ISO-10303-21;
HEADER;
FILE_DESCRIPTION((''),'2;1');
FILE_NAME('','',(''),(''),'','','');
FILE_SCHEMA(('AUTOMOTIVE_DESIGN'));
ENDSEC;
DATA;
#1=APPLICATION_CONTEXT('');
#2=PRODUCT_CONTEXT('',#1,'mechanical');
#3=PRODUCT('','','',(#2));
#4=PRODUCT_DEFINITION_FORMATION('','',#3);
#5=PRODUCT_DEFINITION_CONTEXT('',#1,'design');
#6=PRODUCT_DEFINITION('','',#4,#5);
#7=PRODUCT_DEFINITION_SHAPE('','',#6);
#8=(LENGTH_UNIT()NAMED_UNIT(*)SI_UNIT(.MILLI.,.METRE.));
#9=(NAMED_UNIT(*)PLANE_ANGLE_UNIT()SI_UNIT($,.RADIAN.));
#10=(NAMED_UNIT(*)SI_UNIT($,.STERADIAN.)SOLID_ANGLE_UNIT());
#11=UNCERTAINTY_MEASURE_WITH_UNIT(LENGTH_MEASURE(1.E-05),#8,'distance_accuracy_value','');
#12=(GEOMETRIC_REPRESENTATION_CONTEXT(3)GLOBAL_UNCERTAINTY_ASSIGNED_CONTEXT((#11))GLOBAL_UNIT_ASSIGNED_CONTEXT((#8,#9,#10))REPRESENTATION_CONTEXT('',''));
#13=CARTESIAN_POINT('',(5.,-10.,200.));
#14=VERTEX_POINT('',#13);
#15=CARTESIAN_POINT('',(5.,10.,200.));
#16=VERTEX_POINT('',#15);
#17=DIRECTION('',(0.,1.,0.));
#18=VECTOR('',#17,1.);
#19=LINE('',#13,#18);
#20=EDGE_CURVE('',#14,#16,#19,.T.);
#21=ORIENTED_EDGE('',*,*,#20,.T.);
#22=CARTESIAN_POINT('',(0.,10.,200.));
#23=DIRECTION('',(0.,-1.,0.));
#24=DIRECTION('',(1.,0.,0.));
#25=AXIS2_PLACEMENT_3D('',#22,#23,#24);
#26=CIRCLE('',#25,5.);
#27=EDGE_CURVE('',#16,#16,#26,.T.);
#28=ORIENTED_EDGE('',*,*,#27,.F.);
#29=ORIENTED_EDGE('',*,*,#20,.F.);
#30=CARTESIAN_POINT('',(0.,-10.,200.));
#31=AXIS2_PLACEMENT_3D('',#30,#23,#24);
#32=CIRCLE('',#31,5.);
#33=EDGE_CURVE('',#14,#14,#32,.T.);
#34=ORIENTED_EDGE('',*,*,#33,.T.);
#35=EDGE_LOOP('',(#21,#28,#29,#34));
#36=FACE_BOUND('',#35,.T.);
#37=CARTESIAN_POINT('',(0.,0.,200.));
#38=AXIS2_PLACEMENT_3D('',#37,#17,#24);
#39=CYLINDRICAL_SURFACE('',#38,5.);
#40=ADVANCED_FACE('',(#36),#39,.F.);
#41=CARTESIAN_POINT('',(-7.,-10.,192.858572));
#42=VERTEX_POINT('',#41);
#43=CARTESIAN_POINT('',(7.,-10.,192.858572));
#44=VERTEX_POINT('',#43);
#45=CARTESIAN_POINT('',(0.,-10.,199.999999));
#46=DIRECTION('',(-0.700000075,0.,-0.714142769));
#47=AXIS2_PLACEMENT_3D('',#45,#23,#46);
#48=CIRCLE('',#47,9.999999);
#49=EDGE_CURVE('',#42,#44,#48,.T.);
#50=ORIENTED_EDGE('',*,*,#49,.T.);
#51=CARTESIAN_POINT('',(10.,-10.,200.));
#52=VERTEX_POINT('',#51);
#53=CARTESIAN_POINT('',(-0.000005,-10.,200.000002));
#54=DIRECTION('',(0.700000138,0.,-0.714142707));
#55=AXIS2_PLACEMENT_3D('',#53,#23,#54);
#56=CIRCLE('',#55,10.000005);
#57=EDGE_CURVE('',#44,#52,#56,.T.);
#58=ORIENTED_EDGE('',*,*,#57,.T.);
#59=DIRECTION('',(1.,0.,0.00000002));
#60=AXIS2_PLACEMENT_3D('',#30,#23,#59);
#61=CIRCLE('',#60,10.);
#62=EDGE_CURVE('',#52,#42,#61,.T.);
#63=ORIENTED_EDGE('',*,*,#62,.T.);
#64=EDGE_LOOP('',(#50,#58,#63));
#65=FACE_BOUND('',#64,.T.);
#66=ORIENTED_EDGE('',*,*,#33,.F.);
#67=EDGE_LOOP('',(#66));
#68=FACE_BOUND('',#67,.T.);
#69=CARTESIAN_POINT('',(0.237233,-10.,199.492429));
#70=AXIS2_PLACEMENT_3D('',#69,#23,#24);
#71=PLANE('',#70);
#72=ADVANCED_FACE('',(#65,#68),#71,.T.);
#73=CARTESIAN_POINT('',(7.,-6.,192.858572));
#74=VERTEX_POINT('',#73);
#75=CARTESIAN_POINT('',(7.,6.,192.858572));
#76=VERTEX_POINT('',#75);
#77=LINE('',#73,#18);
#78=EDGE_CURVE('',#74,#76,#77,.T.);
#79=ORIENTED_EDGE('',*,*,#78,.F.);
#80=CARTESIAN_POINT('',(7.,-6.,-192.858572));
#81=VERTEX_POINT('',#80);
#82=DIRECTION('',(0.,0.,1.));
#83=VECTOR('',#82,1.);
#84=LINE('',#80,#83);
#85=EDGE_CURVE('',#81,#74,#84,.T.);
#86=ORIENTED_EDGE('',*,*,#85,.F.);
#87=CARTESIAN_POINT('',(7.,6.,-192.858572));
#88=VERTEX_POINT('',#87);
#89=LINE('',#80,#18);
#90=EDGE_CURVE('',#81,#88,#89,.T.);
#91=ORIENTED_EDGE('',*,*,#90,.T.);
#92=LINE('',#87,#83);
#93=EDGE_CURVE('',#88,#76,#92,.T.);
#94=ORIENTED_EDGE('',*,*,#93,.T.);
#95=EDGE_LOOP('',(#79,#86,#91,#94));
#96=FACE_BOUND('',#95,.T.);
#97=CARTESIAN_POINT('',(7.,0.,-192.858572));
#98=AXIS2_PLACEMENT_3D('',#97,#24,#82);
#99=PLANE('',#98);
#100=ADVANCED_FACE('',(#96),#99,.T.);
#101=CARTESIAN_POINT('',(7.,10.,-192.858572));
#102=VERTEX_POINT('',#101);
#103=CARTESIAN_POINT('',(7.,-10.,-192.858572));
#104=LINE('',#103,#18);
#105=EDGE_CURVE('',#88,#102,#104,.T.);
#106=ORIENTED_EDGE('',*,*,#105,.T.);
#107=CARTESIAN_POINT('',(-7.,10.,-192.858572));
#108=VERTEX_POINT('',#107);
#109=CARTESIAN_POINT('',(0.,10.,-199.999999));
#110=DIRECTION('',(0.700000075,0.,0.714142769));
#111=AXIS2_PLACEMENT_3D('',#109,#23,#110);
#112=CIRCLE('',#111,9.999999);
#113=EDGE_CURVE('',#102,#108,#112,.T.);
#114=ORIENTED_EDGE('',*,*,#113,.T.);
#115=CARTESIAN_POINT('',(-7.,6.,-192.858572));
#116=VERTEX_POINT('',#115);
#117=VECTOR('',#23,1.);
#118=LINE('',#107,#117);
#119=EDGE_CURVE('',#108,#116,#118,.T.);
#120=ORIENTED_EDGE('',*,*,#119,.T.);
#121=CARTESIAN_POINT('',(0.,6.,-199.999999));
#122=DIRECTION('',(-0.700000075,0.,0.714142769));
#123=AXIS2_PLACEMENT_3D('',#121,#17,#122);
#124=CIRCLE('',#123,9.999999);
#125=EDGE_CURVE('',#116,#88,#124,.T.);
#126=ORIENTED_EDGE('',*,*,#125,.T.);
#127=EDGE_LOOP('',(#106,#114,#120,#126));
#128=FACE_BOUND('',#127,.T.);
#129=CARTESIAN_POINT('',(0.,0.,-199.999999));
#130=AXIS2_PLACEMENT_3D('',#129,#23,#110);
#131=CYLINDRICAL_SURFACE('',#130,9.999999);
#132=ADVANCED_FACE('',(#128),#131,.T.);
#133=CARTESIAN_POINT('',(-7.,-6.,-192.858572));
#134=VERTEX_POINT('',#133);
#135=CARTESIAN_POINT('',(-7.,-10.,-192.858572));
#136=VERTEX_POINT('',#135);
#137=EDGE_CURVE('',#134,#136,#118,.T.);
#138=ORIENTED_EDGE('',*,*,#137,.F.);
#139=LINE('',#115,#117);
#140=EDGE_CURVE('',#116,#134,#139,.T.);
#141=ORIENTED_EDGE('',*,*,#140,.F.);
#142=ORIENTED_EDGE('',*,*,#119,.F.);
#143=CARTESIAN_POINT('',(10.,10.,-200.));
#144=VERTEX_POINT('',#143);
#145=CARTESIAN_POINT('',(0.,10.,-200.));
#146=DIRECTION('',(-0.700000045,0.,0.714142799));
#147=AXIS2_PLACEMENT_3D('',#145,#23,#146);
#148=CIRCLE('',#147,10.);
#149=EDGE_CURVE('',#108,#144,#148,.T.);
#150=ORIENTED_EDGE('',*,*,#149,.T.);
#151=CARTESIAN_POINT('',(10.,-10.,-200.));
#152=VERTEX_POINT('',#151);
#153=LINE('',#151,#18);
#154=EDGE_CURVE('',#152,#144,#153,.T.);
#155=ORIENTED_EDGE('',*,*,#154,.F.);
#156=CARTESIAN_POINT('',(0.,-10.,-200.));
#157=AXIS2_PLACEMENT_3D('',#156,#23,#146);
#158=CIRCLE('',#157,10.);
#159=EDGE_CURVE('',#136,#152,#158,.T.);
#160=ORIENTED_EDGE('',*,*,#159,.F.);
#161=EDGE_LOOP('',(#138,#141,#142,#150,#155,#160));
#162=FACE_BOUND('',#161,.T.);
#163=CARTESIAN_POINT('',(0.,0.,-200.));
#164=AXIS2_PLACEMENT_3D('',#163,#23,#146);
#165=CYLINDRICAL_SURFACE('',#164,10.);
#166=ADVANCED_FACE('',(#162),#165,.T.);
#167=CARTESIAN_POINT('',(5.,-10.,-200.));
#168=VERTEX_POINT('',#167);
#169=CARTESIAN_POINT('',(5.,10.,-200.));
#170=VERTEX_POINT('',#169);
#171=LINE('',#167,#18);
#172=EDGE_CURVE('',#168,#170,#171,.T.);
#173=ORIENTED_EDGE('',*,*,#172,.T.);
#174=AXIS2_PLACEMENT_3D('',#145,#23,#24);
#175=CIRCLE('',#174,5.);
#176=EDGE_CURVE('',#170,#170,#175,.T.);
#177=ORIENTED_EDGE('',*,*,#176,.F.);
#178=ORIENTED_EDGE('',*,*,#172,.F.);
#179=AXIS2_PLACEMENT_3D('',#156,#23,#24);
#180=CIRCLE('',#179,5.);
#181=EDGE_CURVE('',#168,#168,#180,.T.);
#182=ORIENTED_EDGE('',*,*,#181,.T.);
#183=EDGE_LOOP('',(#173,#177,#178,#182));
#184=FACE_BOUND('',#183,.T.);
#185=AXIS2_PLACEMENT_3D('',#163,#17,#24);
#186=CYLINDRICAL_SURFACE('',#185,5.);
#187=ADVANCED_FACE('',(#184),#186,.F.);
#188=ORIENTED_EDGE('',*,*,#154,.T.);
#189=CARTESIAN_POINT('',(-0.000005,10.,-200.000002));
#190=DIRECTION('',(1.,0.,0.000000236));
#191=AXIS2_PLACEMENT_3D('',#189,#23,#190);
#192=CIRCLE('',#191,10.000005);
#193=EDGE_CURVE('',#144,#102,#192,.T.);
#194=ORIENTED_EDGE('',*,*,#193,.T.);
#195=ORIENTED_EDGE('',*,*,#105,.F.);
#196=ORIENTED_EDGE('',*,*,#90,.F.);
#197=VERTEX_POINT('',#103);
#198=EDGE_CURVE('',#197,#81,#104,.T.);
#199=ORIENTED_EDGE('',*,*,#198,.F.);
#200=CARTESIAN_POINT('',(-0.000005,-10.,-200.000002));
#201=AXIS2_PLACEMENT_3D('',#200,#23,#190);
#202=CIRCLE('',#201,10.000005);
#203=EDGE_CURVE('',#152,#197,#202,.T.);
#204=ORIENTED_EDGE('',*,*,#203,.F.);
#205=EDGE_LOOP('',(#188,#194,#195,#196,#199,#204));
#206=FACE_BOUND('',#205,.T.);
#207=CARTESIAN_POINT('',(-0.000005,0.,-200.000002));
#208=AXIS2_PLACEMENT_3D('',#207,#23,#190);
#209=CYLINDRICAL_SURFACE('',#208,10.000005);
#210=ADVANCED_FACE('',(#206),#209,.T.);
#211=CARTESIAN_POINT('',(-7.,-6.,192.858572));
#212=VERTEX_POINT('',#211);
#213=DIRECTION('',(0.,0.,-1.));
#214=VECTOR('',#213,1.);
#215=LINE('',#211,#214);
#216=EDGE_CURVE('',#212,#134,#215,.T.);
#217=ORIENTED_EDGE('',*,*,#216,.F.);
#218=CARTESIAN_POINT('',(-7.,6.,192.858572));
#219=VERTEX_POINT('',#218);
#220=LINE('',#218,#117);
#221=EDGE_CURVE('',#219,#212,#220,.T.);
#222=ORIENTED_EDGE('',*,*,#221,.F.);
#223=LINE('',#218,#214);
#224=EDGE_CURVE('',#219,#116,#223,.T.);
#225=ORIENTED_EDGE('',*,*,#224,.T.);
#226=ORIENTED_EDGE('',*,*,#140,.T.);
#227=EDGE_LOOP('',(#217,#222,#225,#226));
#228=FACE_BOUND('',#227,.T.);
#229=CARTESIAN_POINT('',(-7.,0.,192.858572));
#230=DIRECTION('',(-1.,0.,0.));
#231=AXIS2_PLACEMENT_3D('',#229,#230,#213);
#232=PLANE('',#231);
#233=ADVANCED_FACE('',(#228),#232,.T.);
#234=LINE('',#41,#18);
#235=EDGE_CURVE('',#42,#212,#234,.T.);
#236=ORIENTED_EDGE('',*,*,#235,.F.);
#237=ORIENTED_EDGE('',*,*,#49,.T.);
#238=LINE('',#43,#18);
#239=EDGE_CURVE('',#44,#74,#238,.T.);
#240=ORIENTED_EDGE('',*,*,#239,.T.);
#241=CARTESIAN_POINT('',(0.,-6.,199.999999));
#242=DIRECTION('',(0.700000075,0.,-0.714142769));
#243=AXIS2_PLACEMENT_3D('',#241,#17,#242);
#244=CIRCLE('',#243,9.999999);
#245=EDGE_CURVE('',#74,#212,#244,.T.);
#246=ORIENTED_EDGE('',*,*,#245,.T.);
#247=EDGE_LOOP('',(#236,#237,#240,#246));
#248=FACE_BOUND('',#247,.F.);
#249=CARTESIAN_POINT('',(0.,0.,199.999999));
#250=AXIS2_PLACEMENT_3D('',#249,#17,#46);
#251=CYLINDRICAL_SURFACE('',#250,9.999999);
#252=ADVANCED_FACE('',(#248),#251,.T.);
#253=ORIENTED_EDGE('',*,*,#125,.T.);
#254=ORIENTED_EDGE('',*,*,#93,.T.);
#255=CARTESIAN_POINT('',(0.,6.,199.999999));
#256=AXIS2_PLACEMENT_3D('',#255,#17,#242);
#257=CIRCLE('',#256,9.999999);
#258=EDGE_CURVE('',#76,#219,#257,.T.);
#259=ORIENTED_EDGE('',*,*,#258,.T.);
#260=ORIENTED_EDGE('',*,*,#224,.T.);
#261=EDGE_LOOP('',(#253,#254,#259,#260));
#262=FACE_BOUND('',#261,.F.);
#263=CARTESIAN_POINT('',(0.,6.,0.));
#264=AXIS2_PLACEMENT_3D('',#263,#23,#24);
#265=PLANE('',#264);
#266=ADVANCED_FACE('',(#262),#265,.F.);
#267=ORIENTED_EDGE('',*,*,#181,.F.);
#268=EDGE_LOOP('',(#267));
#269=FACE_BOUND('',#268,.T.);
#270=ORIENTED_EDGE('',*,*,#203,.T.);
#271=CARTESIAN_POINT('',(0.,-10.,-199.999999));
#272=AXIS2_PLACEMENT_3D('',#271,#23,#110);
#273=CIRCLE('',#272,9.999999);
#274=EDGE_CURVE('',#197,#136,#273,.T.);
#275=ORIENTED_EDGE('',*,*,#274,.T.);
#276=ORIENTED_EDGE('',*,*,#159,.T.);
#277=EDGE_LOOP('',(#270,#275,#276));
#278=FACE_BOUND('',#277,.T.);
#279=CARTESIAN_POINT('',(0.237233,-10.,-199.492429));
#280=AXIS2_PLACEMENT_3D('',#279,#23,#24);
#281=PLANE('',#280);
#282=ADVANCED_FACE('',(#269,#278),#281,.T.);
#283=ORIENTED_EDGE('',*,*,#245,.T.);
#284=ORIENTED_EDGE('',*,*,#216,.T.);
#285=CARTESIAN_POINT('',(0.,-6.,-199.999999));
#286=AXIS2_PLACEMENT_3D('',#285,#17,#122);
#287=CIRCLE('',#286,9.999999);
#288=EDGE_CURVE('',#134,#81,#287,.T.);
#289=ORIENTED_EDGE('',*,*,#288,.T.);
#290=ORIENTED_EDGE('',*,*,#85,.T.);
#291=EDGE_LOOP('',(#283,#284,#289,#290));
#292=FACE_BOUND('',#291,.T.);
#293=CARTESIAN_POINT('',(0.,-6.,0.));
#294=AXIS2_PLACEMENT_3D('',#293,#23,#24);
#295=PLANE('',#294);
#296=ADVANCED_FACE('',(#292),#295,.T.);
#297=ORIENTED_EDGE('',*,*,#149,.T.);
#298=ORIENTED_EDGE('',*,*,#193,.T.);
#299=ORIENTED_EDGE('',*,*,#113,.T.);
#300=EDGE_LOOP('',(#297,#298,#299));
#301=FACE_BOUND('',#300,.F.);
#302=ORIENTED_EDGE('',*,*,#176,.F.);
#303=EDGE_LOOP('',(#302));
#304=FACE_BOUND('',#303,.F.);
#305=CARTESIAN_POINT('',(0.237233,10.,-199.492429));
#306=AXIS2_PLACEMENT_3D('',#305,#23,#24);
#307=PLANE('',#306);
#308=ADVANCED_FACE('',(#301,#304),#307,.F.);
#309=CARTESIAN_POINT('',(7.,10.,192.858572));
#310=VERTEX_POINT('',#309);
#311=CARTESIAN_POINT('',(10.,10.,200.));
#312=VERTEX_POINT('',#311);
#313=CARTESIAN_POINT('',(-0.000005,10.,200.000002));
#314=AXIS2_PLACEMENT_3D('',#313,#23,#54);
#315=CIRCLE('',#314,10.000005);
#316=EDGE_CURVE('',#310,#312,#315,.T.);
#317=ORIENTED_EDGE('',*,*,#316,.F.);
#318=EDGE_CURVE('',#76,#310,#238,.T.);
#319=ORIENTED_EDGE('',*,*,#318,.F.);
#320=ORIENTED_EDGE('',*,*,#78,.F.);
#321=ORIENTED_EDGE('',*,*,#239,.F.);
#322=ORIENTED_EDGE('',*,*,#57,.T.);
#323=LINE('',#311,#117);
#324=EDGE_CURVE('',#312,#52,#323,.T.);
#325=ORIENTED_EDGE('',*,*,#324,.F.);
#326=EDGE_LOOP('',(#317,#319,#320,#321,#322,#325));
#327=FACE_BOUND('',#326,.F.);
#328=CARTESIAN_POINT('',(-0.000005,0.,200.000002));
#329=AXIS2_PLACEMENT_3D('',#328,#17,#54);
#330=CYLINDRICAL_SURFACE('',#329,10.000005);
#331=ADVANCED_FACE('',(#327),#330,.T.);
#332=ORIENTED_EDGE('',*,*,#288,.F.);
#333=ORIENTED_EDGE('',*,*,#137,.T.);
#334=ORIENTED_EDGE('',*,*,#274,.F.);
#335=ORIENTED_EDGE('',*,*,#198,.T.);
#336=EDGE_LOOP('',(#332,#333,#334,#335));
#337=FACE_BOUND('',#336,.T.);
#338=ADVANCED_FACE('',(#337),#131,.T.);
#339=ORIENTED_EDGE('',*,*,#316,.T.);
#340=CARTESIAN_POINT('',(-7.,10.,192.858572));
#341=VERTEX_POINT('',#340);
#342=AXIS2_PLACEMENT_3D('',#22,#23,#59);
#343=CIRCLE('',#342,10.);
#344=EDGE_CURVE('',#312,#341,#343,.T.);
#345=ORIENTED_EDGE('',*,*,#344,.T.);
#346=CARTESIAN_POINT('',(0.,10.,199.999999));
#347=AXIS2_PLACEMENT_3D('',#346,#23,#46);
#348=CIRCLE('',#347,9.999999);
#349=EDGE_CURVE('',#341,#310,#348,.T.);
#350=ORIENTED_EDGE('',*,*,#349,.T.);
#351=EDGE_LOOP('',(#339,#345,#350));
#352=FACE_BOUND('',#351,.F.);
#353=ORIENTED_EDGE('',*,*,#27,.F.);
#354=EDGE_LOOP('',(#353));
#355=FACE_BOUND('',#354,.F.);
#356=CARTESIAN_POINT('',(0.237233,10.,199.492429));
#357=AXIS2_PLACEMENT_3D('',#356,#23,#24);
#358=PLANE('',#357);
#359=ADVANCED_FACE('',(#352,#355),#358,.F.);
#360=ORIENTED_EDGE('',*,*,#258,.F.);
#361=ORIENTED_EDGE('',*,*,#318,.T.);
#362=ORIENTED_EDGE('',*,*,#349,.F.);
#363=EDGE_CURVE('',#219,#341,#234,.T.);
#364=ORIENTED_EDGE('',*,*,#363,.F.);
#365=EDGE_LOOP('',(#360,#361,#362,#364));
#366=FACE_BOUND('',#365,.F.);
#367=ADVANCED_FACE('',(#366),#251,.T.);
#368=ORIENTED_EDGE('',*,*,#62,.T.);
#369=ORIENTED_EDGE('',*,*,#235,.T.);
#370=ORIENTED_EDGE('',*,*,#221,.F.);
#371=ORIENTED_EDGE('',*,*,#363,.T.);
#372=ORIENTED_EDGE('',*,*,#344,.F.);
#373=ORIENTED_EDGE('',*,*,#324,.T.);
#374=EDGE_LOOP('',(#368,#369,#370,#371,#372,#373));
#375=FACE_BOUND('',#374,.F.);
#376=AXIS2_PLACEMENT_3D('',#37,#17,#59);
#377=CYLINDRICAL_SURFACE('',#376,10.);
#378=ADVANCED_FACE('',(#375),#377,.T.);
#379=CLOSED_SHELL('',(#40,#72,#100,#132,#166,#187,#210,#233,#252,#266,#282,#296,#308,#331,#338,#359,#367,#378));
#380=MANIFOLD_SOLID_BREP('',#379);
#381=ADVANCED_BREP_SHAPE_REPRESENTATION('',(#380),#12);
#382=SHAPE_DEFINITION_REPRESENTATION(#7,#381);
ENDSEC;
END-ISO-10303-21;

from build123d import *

# Parameters (mm, degrees)
F0_R     = 5
F1_DEPTH = 10
F2_DEPTH = 6


with BuildPart() as f1:
    # F0 (on Front) → F1 (new body, symmetric)
    with BuildSketch(Plane.XZ):
        with BuildLine():
            ThreePointArc((7, 192.858572), (9.219544, 196.127017), (10, 200))
            ThreePointArc((10, 200), (-3.872983, 209.219544), (-7, 192.858572))
            ThreePointArc((-7, 192.858572), (0, 190), (7, 192.858572))
        make_face()
        with Locations((0, 200)):
            Circle(F0_R, mode=Mode.SUBTRACT)
        with BuildLine():
            ThreePointArc((7, -192.858572), (0, -190), (-7, -192.858572))
            ThreePointArc((-7, -192.858572), (-3.872983, -209.219544), (10, -200))
            ThreePointArc((10, -200), (9.219544, -196.127017), (7, -192.858572))
        make_face()
        with Locations((0, -200)):
            Circle(F0_R, mode=Mode.SUBTRACT)
    extrude(amount=F1_DEPTH, both=True)

    # F0 (on Front) → F2 (join, symmetric)
    with BuildSketch(Plane.XZ):
        with BuildLine():
            ThreePointArc((7, 192.858572), (0, 190), (-7, 192.858572))
            Line((-7, 192.858572), (-7, -192.858572))
            ThreePointArc((-7, -192.858572), (0, -190), (7, -192.858572))
            Line((7, -192.858572), (7, 192.858572))
        make_face()
    extrude(amount=F2_DEPTH, both=True)


solid = f1.part
